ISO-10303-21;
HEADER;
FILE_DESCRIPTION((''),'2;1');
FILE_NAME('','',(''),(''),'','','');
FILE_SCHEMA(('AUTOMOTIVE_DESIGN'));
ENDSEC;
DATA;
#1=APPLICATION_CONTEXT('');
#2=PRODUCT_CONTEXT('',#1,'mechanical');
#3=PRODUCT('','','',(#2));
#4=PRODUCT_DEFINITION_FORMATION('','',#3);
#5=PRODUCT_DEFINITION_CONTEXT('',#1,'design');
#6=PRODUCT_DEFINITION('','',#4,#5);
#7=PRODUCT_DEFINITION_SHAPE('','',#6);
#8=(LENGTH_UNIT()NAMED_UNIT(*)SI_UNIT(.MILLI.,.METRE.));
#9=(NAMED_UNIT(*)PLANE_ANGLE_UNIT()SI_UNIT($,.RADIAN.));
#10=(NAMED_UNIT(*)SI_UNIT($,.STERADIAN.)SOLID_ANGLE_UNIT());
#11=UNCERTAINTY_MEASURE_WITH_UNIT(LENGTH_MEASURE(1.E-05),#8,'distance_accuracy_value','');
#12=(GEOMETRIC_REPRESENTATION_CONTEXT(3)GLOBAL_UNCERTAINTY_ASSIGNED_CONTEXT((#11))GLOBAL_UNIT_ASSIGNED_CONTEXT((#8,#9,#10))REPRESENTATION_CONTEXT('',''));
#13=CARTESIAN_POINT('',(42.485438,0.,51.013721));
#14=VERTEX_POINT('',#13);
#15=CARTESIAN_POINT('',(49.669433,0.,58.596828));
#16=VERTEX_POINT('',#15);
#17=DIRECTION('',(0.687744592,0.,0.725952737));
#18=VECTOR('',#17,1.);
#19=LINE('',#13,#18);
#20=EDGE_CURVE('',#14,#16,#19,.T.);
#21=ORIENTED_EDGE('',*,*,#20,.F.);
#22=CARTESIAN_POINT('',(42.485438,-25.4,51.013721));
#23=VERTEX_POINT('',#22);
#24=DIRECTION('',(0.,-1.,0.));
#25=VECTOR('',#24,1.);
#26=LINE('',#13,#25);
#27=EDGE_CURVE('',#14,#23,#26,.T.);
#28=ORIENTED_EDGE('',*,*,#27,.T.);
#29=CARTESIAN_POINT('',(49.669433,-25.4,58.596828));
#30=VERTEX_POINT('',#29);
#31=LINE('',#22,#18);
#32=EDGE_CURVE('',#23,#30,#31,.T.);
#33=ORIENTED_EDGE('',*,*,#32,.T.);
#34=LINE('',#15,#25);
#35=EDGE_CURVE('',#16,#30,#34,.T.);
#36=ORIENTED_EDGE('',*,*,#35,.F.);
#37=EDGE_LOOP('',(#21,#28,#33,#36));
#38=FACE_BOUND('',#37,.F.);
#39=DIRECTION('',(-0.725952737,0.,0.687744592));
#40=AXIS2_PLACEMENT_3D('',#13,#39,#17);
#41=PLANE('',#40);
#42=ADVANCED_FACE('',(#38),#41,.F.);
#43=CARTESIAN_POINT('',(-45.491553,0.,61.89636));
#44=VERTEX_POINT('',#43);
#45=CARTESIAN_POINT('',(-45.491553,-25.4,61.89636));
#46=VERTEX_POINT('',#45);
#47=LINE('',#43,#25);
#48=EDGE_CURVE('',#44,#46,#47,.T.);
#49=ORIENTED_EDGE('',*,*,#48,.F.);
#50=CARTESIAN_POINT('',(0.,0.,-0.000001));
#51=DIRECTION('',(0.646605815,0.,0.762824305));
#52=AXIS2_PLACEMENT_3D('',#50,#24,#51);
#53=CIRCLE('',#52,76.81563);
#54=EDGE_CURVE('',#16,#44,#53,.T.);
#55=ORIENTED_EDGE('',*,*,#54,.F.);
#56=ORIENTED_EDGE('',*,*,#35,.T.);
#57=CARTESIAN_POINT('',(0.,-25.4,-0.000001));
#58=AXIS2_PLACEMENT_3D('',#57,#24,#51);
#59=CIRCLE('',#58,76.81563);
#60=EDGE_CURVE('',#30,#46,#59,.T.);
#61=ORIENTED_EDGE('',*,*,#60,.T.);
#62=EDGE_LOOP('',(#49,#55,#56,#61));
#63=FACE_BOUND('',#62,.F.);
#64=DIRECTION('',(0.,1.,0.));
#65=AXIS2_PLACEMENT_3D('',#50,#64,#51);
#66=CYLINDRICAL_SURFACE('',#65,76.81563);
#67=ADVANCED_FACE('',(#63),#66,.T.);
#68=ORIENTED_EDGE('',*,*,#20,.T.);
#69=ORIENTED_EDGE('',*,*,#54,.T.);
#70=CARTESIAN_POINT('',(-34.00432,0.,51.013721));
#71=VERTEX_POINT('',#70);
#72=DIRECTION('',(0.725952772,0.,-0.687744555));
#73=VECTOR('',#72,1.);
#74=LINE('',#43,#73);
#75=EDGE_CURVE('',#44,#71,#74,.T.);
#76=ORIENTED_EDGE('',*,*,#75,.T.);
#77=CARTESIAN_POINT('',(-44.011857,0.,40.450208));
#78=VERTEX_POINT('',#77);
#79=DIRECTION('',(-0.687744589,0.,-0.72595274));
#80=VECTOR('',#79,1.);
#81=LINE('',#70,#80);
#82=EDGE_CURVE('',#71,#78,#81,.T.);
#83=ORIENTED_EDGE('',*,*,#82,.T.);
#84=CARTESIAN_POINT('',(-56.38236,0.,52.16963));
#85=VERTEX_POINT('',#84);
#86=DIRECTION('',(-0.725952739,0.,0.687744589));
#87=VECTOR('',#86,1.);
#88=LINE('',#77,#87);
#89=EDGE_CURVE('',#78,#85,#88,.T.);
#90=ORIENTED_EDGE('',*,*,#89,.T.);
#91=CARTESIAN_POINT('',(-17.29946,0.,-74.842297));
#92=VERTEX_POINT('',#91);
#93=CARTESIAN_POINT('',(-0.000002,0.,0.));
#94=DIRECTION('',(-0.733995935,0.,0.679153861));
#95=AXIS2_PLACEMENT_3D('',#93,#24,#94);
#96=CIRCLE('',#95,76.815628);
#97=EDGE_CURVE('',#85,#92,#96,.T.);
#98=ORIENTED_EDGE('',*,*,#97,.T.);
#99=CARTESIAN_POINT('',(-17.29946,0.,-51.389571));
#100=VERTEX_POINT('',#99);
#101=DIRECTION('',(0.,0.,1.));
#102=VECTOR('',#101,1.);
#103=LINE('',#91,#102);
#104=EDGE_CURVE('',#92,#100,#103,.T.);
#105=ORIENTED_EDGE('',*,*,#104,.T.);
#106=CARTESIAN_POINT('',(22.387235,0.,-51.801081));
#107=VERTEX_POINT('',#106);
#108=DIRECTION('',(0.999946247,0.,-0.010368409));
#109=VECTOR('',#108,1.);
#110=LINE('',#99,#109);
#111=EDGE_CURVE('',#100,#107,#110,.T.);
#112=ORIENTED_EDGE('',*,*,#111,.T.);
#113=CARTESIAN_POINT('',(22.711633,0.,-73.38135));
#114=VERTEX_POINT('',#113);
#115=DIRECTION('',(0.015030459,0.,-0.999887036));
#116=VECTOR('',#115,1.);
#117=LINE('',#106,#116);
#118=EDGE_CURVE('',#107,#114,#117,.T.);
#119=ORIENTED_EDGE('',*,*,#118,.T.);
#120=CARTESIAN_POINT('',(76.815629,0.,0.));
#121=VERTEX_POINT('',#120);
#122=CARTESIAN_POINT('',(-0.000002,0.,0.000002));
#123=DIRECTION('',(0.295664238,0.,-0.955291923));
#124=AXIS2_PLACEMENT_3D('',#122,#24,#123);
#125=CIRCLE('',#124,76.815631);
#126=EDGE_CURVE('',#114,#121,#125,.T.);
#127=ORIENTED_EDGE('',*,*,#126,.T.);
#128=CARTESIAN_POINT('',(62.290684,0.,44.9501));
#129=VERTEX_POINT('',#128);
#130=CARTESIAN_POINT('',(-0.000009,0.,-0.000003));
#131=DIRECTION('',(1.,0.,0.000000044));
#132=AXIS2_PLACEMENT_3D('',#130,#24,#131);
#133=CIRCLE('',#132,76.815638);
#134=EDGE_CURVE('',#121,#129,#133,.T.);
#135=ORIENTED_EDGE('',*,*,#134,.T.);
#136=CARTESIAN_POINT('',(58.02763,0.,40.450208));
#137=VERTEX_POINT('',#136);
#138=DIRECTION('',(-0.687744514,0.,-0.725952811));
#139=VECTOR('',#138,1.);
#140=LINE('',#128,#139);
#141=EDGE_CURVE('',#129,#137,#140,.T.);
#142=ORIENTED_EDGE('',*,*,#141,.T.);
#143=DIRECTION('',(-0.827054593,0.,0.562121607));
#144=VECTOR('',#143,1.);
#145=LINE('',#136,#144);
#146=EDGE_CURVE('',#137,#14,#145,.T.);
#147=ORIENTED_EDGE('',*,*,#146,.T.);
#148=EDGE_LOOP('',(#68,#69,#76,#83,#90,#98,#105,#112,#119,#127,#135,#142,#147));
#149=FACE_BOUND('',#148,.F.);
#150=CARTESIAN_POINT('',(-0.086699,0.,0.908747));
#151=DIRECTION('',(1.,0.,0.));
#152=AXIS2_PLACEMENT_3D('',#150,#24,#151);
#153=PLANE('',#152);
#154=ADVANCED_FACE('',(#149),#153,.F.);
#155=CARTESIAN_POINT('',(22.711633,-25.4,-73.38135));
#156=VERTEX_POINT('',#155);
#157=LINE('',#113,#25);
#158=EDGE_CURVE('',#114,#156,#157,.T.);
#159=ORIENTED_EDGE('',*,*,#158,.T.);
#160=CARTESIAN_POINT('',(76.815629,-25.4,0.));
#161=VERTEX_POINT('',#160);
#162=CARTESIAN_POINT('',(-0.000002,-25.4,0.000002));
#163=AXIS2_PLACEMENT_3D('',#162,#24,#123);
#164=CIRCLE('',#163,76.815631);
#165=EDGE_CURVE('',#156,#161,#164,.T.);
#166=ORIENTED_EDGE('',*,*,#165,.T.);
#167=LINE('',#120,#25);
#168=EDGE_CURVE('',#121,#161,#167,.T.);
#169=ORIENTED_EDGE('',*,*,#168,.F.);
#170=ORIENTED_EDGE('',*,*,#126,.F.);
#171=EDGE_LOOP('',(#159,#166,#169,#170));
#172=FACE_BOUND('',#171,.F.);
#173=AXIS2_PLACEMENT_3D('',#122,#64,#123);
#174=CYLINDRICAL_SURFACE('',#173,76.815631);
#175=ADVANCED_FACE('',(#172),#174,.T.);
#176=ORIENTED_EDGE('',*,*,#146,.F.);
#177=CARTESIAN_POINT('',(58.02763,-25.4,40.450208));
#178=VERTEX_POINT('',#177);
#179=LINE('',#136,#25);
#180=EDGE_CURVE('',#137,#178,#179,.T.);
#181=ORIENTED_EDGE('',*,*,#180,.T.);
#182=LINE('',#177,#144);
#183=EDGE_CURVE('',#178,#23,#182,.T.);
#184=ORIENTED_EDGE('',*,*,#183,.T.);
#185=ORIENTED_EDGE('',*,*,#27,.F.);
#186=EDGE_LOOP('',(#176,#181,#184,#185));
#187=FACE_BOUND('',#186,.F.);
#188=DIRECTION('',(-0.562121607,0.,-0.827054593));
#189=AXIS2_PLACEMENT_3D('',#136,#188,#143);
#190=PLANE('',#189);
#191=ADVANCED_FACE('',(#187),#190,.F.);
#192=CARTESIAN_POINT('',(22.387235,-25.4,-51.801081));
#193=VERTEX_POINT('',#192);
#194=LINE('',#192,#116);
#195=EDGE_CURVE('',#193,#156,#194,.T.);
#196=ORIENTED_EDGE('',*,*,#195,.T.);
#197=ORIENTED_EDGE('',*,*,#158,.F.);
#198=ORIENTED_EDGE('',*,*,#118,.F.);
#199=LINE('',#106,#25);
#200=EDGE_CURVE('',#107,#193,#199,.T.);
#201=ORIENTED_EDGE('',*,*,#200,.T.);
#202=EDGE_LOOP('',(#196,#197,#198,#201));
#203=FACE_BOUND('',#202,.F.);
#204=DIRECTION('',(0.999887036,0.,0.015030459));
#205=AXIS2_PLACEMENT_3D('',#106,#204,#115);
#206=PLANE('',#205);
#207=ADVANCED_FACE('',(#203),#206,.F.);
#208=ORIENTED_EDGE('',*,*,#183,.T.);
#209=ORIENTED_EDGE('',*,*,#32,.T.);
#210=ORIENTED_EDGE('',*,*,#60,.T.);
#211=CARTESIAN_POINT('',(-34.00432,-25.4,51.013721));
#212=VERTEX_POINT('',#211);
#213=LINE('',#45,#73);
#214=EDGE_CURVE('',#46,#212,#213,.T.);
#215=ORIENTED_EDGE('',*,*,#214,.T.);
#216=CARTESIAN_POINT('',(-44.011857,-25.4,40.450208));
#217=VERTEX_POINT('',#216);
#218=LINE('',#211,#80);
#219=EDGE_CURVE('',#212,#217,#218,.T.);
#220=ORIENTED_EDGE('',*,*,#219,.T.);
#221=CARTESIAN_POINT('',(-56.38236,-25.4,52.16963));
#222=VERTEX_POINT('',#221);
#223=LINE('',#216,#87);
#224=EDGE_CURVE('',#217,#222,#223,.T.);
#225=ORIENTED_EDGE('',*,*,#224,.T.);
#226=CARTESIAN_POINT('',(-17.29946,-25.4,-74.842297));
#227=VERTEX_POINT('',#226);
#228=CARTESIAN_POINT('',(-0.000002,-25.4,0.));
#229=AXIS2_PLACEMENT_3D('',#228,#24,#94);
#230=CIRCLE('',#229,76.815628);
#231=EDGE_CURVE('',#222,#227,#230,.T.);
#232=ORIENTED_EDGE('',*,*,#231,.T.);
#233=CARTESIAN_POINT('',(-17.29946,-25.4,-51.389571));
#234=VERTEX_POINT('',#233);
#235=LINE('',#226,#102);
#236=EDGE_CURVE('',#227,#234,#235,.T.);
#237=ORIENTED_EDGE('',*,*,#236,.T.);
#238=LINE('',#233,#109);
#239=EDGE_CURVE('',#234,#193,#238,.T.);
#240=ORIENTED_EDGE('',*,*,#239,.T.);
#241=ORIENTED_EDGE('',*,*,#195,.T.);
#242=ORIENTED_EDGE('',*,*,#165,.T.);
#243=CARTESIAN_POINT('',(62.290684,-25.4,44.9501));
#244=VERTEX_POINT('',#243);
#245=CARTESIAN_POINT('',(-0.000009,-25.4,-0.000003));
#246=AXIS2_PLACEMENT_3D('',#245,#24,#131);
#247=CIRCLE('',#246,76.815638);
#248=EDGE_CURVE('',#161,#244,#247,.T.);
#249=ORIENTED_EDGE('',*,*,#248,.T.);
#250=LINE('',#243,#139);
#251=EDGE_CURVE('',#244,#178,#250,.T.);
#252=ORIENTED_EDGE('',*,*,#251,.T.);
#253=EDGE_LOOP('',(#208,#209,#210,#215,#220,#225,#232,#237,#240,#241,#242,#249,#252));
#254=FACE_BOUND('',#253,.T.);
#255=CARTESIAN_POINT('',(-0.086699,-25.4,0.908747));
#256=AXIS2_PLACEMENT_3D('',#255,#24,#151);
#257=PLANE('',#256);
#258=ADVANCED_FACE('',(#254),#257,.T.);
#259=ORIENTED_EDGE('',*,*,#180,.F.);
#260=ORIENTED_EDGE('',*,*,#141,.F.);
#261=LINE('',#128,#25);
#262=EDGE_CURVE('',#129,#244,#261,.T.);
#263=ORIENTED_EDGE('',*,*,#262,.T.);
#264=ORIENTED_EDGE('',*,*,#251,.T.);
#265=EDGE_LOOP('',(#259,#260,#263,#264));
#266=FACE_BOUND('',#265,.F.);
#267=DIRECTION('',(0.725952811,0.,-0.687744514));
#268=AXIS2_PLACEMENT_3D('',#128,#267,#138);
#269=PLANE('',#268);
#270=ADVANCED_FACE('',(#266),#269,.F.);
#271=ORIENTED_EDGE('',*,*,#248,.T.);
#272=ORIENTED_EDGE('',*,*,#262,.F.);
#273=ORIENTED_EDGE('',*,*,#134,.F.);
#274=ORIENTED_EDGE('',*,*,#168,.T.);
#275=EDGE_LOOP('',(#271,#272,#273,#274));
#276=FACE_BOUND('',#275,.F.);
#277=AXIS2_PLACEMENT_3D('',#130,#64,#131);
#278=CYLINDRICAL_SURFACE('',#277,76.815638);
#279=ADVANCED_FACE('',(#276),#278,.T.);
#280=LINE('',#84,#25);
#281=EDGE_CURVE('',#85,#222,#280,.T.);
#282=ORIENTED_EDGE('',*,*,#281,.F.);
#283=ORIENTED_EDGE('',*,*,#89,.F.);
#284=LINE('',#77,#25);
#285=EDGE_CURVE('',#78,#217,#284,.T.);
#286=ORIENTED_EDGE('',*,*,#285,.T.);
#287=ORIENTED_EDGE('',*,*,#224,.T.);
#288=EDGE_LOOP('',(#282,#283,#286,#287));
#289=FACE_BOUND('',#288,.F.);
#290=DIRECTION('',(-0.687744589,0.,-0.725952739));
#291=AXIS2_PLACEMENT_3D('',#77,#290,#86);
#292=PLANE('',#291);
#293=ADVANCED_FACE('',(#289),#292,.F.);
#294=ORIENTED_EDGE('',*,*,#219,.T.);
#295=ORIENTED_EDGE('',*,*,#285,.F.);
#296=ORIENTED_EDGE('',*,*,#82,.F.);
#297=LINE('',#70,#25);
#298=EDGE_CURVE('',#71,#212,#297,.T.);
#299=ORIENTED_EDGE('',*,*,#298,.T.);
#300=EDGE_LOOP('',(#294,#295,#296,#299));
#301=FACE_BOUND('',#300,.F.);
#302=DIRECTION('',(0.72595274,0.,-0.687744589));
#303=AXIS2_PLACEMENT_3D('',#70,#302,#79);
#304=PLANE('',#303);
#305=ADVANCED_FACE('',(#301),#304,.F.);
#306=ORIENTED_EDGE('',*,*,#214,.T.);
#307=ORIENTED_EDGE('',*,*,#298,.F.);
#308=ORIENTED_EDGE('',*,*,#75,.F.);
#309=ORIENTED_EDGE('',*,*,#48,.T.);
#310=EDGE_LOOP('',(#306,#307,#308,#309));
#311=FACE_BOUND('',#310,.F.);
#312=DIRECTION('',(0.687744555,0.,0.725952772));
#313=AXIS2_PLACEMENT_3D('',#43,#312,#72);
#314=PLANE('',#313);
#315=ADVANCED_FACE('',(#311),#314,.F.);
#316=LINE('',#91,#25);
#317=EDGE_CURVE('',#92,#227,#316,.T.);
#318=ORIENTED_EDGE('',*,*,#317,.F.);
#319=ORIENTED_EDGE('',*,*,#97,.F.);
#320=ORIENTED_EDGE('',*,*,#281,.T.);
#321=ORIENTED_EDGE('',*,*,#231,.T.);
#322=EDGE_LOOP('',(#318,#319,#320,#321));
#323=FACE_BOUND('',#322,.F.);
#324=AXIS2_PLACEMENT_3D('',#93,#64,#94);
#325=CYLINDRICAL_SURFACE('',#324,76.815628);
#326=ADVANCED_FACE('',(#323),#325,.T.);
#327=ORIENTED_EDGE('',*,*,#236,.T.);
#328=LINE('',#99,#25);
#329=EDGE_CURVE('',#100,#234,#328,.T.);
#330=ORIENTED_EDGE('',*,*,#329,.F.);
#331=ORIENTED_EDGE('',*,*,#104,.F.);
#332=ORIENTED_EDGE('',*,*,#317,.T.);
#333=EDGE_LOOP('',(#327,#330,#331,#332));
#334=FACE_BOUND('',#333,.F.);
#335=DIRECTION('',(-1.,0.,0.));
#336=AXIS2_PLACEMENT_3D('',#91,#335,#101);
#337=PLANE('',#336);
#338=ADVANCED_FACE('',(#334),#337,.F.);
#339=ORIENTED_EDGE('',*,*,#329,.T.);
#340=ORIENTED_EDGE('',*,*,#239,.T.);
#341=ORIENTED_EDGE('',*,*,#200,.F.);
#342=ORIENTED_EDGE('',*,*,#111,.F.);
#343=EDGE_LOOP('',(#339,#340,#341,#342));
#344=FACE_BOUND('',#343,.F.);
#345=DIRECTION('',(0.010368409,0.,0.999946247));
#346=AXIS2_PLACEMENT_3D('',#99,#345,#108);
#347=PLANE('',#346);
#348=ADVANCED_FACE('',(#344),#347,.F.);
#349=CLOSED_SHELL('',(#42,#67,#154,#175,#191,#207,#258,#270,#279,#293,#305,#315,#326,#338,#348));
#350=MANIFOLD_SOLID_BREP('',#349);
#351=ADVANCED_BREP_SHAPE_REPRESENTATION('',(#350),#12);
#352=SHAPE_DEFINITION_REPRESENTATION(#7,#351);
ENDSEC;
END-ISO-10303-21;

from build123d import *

# Parameters (mm, degrees)
F1_DEPTH = 25.4


with BuildPart() as f1:
    # F0 (on Front) → F1 (new body)
    with BuildSketch(Plane.XZ):
        with BuildLine():
            ThreePointArc((22.711633, -73.38135), (61.827377, -45.585263), (76.815629, 0))
            ThreePointArc((76.815629, 0), (73.09425, 23.619301), (62.290684, 44.9501))
            Line((62.290684, 44.9501), (58.02763, 40.450208))
            Line((58.02763, 40.450208), (42.485438, 51.013721))
            Line((42.485438, 51.013721), (49.669433, 58.596828))
            ThreePointArc((49.669433, 58.596828), (2.661841, 76.769495), (-45.491553, 61.89636))
            Line((-45.491553, 61.89636), (-34.00432, 51.013721))
            Line((-34.00432, 51.013721), (-44.011857, 40.450208))
            Line((-44.011857, 40.450208), (-56.38236, 52.16963))
            ThreePointArc((-56.38236, 52.16963), (-73.418391, -22.591608), (-17.29946, -74.842297))
            Line((-17.29946, -74.842297), (-17.29946, -51.389571))
            Line((-17.29946, -51.389571), (22.387235, -51.801081))
            Line((22.387235, -51.801081), (22.711633, -73.38135))
        make_face()
    extrude(amount=F1_DEPTH)


solid = f1.part
